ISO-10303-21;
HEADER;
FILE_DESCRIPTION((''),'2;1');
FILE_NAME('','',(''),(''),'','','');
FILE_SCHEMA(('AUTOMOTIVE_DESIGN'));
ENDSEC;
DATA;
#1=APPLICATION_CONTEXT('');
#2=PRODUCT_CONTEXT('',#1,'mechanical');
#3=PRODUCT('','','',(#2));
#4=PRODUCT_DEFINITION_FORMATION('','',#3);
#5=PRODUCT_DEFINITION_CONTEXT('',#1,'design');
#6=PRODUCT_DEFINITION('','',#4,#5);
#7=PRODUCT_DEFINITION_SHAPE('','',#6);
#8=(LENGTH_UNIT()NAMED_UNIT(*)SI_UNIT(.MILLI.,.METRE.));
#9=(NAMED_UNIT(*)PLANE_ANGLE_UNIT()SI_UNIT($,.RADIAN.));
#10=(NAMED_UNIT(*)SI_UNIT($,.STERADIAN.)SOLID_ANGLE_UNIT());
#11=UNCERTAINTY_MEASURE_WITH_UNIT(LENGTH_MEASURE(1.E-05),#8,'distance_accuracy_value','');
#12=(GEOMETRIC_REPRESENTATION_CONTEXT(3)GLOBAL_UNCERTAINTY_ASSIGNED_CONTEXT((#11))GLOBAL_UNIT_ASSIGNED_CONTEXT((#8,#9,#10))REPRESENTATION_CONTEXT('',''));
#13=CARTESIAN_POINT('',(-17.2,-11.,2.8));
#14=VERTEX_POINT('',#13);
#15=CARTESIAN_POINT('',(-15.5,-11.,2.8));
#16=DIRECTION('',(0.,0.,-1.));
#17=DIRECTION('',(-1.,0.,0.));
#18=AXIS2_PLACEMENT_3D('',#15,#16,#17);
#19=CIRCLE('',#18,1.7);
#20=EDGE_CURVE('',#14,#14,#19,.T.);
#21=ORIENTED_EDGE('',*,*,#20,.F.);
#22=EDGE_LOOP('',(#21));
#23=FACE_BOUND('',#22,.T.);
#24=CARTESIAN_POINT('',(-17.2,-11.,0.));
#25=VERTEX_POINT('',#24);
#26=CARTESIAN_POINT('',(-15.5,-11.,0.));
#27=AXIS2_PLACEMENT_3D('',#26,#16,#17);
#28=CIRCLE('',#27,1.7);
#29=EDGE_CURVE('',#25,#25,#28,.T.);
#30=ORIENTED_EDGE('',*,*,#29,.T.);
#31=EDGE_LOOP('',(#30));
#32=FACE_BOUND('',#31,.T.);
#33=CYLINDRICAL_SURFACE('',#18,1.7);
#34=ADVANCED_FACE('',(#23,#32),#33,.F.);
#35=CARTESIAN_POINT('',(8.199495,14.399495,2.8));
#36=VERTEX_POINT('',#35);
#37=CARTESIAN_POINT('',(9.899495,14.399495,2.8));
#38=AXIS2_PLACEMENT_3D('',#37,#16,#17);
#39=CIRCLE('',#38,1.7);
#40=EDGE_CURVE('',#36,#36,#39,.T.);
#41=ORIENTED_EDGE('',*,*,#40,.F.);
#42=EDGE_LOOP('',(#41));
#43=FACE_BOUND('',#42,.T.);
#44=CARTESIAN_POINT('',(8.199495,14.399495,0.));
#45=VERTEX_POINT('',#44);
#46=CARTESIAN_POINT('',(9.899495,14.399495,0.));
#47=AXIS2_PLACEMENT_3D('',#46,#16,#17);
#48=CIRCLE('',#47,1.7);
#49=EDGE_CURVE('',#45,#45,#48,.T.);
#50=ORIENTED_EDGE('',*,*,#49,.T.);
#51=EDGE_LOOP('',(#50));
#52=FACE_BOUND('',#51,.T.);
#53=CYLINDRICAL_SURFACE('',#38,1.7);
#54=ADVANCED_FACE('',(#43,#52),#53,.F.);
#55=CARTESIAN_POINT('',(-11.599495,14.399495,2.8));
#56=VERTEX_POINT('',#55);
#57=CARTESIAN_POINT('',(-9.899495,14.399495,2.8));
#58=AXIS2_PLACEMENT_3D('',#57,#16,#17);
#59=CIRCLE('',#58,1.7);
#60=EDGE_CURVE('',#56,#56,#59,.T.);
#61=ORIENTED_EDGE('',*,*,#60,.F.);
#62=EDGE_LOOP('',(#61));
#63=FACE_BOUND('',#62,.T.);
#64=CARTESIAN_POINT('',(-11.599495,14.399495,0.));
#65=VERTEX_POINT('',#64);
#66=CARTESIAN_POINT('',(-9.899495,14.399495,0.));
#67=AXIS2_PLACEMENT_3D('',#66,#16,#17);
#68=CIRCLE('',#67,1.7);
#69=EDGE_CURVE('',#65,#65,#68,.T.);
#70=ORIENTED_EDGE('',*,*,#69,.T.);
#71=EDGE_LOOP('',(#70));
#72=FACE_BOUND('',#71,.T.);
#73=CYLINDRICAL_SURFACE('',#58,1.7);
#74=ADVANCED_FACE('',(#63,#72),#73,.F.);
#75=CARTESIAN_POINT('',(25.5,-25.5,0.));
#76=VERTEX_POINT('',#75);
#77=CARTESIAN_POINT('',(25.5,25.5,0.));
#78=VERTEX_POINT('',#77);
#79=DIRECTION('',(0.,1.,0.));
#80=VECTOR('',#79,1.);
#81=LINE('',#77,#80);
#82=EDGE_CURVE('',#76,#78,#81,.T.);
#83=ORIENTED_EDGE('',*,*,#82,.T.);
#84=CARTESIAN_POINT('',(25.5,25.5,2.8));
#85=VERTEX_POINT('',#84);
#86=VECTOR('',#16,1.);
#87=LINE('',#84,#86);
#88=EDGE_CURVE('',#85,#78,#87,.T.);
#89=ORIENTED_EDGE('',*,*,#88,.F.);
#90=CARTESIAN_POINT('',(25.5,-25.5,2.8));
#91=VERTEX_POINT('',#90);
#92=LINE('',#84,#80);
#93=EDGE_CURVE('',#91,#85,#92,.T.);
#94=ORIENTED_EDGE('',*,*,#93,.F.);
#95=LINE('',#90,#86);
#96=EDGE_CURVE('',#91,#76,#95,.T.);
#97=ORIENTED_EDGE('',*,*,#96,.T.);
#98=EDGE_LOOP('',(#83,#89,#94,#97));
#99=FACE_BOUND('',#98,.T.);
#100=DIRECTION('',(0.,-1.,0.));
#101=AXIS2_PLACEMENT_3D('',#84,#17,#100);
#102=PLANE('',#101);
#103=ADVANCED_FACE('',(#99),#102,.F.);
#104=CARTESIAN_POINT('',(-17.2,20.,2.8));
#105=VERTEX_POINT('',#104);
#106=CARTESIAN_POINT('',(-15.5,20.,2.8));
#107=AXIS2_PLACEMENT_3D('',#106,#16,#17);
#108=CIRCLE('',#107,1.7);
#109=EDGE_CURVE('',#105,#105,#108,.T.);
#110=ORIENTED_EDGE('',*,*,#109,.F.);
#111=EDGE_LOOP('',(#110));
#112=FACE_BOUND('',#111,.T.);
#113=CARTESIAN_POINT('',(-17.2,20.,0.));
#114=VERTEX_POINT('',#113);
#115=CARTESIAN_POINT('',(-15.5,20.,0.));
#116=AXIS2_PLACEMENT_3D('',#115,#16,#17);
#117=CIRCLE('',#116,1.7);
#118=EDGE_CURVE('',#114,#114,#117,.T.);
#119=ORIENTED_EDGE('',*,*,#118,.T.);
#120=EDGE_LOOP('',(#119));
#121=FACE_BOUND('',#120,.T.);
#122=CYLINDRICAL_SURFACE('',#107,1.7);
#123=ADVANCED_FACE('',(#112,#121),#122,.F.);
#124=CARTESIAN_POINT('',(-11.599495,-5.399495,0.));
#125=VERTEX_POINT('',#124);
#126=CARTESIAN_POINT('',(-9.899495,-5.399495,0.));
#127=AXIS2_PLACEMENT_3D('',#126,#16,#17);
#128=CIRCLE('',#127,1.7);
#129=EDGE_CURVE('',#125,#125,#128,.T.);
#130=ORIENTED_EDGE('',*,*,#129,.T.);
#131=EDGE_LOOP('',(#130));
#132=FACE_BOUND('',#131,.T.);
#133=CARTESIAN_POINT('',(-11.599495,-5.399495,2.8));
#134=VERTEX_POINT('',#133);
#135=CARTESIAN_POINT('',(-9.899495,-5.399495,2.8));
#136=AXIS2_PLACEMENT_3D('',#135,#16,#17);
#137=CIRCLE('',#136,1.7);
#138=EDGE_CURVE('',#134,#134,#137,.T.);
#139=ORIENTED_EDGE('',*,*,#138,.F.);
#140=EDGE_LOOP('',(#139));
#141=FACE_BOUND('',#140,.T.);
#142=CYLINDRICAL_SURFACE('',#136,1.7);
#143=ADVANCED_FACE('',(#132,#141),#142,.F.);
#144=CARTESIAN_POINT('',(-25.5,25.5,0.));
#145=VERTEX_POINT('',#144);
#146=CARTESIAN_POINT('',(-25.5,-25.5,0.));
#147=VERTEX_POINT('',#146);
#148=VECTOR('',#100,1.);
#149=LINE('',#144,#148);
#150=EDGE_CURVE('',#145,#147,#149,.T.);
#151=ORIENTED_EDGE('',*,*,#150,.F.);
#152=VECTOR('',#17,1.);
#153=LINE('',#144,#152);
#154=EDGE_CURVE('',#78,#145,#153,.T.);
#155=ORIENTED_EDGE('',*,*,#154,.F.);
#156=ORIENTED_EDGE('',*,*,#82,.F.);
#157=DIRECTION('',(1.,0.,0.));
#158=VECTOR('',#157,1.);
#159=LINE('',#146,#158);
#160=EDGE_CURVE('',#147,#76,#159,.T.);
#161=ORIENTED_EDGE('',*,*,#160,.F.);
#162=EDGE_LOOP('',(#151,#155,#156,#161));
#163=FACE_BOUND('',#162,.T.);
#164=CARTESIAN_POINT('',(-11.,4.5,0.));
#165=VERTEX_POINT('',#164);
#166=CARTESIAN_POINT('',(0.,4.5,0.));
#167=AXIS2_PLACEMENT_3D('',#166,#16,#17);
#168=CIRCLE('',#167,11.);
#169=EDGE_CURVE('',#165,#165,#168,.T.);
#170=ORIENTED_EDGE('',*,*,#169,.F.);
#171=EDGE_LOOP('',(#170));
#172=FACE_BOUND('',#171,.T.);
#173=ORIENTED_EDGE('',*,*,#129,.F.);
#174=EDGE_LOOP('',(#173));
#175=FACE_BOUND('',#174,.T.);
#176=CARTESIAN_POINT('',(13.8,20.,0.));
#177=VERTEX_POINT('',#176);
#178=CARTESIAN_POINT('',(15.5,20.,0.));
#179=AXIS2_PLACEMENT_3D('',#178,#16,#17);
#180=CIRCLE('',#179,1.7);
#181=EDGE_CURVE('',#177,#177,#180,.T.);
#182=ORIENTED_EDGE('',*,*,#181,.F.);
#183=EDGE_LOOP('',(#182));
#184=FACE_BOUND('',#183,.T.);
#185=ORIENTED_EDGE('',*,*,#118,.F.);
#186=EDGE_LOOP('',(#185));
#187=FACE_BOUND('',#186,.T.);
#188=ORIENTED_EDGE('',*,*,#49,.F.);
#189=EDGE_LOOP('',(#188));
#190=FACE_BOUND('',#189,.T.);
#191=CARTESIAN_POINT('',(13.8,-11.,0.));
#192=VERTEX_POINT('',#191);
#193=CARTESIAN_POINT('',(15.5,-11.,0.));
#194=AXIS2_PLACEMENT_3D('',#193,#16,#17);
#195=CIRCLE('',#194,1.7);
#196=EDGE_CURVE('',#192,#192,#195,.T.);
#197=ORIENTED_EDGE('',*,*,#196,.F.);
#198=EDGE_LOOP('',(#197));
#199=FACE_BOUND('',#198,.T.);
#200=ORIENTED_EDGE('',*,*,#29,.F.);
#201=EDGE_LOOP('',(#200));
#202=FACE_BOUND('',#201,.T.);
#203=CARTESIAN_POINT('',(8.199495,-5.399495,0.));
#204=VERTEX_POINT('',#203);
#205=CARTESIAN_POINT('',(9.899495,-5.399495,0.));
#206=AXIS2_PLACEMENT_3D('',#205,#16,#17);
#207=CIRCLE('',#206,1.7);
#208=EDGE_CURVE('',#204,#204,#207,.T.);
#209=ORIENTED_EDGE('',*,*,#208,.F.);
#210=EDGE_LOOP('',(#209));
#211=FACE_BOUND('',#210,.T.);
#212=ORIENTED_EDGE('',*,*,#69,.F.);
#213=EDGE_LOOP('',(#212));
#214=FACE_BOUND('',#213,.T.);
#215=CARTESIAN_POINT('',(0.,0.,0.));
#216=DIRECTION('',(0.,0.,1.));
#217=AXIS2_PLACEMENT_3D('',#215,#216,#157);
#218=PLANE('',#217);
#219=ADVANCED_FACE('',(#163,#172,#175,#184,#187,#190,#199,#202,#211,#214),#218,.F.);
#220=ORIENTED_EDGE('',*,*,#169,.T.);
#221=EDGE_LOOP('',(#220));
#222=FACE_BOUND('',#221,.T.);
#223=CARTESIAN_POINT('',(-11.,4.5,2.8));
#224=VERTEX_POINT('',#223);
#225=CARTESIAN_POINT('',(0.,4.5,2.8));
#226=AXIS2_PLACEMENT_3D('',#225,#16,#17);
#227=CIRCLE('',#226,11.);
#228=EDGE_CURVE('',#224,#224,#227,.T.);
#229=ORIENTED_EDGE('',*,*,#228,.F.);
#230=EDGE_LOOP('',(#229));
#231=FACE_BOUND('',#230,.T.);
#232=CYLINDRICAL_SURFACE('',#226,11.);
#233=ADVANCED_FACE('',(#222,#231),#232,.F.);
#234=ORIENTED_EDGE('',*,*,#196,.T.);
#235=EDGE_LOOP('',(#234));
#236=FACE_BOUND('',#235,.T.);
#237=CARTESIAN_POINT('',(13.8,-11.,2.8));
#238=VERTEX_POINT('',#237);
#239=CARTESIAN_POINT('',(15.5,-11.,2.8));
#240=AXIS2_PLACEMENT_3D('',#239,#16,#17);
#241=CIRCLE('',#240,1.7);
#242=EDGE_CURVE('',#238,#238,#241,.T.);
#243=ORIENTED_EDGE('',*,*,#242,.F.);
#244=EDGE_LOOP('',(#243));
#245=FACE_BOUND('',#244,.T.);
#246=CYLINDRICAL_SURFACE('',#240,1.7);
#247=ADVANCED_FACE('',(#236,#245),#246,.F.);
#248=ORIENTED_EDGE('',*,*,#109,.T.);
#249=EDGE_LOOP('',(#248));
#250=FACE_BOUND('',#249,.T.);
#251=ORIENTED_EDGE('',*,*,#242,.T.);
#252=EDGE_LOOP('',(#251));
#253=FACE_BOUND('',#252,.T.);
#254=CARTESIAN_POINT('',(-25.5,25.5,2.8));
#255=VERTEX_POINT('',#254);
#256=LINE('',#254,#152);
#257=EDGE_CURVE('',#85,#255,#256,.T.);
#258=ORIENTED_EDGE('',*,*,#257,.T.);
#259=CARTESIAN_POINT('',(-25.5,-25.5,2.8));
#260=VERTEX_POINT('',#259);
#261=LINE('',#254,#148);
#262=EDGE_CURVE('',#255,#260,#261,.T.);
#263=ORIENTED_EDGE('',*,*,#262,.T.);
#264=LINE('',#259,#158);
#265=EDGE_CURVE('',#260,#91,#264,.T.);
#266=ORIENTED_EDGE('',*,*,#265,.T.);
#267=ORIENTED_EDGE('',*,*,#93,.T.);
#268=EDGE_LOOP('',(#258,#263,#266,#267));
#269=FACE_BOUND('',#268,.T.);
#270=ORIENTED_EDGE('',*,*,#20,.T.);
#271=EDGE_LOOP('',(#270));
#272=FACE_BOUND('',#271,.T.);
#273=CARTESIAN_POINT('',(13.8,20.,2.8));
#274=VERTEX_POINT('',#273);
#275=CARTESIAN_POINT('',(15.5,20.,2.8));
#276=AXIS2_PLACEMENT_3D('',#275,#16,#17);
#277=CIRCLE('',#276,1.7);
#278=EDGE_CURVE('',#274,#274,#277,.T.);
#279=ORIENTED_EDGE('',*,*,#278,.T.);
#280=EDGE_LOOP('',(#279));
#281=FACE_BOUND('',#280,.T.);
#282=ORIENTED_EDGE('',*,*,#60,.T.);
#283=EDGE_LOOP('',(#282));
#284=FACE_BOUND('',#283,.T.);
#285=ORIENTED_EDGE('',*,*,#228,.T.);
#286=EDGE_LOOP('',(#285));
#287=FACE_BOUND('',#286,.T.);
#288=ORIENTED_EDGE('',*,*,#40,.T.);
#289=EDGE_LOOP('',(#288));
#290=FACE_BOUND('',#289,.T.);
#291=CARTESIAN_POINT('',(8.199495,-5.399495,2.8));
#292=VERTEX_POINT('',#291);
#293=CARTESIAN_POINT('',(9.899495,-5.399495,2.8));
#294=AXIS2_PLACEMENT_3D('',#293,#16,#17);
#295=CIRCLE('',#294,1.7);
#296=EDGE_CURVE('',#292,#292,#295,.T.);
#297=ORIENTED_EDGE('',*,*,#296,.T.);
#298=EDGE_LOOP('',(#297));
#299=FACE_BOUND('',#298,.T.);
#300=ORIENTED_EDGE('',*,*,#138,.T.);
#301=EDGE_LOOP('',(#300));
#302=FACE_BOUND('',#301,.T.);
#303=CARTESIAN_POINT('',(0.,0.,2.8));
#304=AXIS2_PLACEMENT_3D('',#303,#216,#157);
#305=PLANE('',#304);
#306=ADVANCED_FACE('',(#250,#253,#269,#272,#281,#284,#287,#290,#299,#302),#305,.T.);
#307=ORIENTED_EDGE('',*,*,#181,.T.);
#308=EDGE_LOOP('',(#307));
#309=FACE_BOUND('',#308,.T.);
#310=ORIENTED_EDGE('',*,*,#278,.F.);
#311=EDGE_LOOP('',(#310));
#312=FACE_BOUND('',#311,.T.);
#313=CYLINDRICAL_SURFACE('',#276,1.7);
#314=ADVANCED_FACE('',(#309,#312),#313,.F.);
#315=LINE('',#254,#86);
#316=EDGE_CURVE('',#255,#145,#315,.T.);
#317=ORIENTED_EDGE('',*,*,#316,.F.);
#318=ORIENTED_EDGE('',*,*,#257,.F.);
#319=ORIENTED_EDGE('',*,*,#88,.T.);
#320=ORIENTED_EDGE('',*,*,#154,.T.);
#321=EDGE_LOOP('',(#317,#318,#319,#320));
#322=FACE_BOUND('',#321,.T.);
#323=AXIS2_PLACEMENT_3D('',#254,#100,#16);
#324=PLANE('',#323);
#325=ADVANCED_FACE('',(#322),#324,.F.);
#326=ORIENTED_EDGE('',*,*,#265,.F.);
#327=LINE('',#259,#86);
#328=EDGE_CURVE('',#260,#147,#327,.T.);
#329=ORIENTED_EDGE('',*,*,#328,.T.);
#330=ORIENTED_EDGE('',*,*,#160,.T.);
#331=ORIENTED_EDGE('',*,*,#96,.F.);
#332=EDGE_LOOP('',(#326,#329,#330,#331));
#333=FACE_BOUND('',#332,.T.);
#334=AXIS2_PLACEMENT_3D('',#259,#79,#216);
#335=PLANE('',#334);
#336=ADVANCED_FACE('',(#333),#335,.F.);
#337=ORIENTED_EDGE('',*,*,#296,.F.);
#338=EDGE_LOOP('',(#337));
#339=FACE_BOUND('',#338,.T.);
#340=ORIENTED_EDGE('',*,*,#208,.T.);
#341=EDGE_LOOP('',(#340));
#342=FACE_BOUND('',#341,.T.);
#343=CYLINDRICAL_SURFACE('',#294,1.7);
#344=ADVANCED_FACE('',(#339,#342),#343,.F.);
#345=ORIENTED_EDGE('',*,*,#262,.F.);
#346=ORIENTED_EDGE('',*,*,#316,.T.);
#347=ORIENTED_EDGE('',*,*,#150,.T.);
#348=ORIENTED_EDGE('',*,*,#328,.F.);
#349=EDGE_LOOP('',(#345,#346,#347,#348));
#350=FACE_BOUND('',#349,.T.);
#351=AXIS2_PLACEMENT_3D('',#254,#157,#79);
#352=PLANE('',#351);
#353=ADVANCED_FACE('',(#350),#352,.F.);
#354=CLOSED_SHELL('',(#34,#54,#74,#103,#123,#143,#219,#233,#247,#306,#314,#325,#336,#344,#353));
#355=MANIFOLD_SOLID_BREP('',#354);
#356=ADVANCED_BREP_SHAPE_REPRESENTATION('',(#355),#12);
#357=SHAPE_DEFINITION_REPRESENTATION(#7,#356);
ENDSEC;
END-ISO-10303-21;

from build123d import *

# Parameters (mm, degrees)
SKETCH1_W           = 51
SKETCH1_H           = 51
BOSS_EXTRUDE1_DEPTH = 2.8
SKETCH2_R           = 11
SKETCH2_R_2         = 1.7
CUT_EXTRUDE1_DEPTH  = 3.8


with BuildPart() as part:
    # Sketch1 → Boss-Extrude1 (new body)
    with BuildSketch(Plane.XY):
        Rectangle(SKETCH1_W, SKETCH1_H)
    extrude(amount=BOSS_EXTRUDE1_DEPTH)

    # Sketch2 → Cut-Extrude1 (cut, through all)
    with BuildSketch(Plane(origin=(0, 0, 0), x_dir=(-1, 0, 0), z_dir=(0, 0, -1))):
        with Locations((0, 4.5)):
            Circle(SKETCH2_R)
        with Locations((-15.5, 20)):
            Circle(SKETCH2_R_2)
        with Locations((15.5, 20)):
            Circle(SKETCH2_R_2)
        with Locations((15.5, -11)):
            Circle(SKETCH2_R_2)
        with Locations((-15.5, -11)):
            Circle(SKETCH2_R_2)
        with Locations((-9.899494937, 14.399494937)):
            Circle(SKETCH2_R_2)
        with Locations((9.899494937, 14.399494937)):
            Circle(SKETCH2_R_2)
        with Locations((9.899494937, -5.399494937)):
            Circle(SKETCH2_R_2)
        with Locations((-9.899494937, -5.399494937)):
            Circle(SKETCH2_R_2)
    extrude(amount=-CUT_EXTRUDE1_DEPTH, mode=Mode.SUBTRACT)


solid = part.part
